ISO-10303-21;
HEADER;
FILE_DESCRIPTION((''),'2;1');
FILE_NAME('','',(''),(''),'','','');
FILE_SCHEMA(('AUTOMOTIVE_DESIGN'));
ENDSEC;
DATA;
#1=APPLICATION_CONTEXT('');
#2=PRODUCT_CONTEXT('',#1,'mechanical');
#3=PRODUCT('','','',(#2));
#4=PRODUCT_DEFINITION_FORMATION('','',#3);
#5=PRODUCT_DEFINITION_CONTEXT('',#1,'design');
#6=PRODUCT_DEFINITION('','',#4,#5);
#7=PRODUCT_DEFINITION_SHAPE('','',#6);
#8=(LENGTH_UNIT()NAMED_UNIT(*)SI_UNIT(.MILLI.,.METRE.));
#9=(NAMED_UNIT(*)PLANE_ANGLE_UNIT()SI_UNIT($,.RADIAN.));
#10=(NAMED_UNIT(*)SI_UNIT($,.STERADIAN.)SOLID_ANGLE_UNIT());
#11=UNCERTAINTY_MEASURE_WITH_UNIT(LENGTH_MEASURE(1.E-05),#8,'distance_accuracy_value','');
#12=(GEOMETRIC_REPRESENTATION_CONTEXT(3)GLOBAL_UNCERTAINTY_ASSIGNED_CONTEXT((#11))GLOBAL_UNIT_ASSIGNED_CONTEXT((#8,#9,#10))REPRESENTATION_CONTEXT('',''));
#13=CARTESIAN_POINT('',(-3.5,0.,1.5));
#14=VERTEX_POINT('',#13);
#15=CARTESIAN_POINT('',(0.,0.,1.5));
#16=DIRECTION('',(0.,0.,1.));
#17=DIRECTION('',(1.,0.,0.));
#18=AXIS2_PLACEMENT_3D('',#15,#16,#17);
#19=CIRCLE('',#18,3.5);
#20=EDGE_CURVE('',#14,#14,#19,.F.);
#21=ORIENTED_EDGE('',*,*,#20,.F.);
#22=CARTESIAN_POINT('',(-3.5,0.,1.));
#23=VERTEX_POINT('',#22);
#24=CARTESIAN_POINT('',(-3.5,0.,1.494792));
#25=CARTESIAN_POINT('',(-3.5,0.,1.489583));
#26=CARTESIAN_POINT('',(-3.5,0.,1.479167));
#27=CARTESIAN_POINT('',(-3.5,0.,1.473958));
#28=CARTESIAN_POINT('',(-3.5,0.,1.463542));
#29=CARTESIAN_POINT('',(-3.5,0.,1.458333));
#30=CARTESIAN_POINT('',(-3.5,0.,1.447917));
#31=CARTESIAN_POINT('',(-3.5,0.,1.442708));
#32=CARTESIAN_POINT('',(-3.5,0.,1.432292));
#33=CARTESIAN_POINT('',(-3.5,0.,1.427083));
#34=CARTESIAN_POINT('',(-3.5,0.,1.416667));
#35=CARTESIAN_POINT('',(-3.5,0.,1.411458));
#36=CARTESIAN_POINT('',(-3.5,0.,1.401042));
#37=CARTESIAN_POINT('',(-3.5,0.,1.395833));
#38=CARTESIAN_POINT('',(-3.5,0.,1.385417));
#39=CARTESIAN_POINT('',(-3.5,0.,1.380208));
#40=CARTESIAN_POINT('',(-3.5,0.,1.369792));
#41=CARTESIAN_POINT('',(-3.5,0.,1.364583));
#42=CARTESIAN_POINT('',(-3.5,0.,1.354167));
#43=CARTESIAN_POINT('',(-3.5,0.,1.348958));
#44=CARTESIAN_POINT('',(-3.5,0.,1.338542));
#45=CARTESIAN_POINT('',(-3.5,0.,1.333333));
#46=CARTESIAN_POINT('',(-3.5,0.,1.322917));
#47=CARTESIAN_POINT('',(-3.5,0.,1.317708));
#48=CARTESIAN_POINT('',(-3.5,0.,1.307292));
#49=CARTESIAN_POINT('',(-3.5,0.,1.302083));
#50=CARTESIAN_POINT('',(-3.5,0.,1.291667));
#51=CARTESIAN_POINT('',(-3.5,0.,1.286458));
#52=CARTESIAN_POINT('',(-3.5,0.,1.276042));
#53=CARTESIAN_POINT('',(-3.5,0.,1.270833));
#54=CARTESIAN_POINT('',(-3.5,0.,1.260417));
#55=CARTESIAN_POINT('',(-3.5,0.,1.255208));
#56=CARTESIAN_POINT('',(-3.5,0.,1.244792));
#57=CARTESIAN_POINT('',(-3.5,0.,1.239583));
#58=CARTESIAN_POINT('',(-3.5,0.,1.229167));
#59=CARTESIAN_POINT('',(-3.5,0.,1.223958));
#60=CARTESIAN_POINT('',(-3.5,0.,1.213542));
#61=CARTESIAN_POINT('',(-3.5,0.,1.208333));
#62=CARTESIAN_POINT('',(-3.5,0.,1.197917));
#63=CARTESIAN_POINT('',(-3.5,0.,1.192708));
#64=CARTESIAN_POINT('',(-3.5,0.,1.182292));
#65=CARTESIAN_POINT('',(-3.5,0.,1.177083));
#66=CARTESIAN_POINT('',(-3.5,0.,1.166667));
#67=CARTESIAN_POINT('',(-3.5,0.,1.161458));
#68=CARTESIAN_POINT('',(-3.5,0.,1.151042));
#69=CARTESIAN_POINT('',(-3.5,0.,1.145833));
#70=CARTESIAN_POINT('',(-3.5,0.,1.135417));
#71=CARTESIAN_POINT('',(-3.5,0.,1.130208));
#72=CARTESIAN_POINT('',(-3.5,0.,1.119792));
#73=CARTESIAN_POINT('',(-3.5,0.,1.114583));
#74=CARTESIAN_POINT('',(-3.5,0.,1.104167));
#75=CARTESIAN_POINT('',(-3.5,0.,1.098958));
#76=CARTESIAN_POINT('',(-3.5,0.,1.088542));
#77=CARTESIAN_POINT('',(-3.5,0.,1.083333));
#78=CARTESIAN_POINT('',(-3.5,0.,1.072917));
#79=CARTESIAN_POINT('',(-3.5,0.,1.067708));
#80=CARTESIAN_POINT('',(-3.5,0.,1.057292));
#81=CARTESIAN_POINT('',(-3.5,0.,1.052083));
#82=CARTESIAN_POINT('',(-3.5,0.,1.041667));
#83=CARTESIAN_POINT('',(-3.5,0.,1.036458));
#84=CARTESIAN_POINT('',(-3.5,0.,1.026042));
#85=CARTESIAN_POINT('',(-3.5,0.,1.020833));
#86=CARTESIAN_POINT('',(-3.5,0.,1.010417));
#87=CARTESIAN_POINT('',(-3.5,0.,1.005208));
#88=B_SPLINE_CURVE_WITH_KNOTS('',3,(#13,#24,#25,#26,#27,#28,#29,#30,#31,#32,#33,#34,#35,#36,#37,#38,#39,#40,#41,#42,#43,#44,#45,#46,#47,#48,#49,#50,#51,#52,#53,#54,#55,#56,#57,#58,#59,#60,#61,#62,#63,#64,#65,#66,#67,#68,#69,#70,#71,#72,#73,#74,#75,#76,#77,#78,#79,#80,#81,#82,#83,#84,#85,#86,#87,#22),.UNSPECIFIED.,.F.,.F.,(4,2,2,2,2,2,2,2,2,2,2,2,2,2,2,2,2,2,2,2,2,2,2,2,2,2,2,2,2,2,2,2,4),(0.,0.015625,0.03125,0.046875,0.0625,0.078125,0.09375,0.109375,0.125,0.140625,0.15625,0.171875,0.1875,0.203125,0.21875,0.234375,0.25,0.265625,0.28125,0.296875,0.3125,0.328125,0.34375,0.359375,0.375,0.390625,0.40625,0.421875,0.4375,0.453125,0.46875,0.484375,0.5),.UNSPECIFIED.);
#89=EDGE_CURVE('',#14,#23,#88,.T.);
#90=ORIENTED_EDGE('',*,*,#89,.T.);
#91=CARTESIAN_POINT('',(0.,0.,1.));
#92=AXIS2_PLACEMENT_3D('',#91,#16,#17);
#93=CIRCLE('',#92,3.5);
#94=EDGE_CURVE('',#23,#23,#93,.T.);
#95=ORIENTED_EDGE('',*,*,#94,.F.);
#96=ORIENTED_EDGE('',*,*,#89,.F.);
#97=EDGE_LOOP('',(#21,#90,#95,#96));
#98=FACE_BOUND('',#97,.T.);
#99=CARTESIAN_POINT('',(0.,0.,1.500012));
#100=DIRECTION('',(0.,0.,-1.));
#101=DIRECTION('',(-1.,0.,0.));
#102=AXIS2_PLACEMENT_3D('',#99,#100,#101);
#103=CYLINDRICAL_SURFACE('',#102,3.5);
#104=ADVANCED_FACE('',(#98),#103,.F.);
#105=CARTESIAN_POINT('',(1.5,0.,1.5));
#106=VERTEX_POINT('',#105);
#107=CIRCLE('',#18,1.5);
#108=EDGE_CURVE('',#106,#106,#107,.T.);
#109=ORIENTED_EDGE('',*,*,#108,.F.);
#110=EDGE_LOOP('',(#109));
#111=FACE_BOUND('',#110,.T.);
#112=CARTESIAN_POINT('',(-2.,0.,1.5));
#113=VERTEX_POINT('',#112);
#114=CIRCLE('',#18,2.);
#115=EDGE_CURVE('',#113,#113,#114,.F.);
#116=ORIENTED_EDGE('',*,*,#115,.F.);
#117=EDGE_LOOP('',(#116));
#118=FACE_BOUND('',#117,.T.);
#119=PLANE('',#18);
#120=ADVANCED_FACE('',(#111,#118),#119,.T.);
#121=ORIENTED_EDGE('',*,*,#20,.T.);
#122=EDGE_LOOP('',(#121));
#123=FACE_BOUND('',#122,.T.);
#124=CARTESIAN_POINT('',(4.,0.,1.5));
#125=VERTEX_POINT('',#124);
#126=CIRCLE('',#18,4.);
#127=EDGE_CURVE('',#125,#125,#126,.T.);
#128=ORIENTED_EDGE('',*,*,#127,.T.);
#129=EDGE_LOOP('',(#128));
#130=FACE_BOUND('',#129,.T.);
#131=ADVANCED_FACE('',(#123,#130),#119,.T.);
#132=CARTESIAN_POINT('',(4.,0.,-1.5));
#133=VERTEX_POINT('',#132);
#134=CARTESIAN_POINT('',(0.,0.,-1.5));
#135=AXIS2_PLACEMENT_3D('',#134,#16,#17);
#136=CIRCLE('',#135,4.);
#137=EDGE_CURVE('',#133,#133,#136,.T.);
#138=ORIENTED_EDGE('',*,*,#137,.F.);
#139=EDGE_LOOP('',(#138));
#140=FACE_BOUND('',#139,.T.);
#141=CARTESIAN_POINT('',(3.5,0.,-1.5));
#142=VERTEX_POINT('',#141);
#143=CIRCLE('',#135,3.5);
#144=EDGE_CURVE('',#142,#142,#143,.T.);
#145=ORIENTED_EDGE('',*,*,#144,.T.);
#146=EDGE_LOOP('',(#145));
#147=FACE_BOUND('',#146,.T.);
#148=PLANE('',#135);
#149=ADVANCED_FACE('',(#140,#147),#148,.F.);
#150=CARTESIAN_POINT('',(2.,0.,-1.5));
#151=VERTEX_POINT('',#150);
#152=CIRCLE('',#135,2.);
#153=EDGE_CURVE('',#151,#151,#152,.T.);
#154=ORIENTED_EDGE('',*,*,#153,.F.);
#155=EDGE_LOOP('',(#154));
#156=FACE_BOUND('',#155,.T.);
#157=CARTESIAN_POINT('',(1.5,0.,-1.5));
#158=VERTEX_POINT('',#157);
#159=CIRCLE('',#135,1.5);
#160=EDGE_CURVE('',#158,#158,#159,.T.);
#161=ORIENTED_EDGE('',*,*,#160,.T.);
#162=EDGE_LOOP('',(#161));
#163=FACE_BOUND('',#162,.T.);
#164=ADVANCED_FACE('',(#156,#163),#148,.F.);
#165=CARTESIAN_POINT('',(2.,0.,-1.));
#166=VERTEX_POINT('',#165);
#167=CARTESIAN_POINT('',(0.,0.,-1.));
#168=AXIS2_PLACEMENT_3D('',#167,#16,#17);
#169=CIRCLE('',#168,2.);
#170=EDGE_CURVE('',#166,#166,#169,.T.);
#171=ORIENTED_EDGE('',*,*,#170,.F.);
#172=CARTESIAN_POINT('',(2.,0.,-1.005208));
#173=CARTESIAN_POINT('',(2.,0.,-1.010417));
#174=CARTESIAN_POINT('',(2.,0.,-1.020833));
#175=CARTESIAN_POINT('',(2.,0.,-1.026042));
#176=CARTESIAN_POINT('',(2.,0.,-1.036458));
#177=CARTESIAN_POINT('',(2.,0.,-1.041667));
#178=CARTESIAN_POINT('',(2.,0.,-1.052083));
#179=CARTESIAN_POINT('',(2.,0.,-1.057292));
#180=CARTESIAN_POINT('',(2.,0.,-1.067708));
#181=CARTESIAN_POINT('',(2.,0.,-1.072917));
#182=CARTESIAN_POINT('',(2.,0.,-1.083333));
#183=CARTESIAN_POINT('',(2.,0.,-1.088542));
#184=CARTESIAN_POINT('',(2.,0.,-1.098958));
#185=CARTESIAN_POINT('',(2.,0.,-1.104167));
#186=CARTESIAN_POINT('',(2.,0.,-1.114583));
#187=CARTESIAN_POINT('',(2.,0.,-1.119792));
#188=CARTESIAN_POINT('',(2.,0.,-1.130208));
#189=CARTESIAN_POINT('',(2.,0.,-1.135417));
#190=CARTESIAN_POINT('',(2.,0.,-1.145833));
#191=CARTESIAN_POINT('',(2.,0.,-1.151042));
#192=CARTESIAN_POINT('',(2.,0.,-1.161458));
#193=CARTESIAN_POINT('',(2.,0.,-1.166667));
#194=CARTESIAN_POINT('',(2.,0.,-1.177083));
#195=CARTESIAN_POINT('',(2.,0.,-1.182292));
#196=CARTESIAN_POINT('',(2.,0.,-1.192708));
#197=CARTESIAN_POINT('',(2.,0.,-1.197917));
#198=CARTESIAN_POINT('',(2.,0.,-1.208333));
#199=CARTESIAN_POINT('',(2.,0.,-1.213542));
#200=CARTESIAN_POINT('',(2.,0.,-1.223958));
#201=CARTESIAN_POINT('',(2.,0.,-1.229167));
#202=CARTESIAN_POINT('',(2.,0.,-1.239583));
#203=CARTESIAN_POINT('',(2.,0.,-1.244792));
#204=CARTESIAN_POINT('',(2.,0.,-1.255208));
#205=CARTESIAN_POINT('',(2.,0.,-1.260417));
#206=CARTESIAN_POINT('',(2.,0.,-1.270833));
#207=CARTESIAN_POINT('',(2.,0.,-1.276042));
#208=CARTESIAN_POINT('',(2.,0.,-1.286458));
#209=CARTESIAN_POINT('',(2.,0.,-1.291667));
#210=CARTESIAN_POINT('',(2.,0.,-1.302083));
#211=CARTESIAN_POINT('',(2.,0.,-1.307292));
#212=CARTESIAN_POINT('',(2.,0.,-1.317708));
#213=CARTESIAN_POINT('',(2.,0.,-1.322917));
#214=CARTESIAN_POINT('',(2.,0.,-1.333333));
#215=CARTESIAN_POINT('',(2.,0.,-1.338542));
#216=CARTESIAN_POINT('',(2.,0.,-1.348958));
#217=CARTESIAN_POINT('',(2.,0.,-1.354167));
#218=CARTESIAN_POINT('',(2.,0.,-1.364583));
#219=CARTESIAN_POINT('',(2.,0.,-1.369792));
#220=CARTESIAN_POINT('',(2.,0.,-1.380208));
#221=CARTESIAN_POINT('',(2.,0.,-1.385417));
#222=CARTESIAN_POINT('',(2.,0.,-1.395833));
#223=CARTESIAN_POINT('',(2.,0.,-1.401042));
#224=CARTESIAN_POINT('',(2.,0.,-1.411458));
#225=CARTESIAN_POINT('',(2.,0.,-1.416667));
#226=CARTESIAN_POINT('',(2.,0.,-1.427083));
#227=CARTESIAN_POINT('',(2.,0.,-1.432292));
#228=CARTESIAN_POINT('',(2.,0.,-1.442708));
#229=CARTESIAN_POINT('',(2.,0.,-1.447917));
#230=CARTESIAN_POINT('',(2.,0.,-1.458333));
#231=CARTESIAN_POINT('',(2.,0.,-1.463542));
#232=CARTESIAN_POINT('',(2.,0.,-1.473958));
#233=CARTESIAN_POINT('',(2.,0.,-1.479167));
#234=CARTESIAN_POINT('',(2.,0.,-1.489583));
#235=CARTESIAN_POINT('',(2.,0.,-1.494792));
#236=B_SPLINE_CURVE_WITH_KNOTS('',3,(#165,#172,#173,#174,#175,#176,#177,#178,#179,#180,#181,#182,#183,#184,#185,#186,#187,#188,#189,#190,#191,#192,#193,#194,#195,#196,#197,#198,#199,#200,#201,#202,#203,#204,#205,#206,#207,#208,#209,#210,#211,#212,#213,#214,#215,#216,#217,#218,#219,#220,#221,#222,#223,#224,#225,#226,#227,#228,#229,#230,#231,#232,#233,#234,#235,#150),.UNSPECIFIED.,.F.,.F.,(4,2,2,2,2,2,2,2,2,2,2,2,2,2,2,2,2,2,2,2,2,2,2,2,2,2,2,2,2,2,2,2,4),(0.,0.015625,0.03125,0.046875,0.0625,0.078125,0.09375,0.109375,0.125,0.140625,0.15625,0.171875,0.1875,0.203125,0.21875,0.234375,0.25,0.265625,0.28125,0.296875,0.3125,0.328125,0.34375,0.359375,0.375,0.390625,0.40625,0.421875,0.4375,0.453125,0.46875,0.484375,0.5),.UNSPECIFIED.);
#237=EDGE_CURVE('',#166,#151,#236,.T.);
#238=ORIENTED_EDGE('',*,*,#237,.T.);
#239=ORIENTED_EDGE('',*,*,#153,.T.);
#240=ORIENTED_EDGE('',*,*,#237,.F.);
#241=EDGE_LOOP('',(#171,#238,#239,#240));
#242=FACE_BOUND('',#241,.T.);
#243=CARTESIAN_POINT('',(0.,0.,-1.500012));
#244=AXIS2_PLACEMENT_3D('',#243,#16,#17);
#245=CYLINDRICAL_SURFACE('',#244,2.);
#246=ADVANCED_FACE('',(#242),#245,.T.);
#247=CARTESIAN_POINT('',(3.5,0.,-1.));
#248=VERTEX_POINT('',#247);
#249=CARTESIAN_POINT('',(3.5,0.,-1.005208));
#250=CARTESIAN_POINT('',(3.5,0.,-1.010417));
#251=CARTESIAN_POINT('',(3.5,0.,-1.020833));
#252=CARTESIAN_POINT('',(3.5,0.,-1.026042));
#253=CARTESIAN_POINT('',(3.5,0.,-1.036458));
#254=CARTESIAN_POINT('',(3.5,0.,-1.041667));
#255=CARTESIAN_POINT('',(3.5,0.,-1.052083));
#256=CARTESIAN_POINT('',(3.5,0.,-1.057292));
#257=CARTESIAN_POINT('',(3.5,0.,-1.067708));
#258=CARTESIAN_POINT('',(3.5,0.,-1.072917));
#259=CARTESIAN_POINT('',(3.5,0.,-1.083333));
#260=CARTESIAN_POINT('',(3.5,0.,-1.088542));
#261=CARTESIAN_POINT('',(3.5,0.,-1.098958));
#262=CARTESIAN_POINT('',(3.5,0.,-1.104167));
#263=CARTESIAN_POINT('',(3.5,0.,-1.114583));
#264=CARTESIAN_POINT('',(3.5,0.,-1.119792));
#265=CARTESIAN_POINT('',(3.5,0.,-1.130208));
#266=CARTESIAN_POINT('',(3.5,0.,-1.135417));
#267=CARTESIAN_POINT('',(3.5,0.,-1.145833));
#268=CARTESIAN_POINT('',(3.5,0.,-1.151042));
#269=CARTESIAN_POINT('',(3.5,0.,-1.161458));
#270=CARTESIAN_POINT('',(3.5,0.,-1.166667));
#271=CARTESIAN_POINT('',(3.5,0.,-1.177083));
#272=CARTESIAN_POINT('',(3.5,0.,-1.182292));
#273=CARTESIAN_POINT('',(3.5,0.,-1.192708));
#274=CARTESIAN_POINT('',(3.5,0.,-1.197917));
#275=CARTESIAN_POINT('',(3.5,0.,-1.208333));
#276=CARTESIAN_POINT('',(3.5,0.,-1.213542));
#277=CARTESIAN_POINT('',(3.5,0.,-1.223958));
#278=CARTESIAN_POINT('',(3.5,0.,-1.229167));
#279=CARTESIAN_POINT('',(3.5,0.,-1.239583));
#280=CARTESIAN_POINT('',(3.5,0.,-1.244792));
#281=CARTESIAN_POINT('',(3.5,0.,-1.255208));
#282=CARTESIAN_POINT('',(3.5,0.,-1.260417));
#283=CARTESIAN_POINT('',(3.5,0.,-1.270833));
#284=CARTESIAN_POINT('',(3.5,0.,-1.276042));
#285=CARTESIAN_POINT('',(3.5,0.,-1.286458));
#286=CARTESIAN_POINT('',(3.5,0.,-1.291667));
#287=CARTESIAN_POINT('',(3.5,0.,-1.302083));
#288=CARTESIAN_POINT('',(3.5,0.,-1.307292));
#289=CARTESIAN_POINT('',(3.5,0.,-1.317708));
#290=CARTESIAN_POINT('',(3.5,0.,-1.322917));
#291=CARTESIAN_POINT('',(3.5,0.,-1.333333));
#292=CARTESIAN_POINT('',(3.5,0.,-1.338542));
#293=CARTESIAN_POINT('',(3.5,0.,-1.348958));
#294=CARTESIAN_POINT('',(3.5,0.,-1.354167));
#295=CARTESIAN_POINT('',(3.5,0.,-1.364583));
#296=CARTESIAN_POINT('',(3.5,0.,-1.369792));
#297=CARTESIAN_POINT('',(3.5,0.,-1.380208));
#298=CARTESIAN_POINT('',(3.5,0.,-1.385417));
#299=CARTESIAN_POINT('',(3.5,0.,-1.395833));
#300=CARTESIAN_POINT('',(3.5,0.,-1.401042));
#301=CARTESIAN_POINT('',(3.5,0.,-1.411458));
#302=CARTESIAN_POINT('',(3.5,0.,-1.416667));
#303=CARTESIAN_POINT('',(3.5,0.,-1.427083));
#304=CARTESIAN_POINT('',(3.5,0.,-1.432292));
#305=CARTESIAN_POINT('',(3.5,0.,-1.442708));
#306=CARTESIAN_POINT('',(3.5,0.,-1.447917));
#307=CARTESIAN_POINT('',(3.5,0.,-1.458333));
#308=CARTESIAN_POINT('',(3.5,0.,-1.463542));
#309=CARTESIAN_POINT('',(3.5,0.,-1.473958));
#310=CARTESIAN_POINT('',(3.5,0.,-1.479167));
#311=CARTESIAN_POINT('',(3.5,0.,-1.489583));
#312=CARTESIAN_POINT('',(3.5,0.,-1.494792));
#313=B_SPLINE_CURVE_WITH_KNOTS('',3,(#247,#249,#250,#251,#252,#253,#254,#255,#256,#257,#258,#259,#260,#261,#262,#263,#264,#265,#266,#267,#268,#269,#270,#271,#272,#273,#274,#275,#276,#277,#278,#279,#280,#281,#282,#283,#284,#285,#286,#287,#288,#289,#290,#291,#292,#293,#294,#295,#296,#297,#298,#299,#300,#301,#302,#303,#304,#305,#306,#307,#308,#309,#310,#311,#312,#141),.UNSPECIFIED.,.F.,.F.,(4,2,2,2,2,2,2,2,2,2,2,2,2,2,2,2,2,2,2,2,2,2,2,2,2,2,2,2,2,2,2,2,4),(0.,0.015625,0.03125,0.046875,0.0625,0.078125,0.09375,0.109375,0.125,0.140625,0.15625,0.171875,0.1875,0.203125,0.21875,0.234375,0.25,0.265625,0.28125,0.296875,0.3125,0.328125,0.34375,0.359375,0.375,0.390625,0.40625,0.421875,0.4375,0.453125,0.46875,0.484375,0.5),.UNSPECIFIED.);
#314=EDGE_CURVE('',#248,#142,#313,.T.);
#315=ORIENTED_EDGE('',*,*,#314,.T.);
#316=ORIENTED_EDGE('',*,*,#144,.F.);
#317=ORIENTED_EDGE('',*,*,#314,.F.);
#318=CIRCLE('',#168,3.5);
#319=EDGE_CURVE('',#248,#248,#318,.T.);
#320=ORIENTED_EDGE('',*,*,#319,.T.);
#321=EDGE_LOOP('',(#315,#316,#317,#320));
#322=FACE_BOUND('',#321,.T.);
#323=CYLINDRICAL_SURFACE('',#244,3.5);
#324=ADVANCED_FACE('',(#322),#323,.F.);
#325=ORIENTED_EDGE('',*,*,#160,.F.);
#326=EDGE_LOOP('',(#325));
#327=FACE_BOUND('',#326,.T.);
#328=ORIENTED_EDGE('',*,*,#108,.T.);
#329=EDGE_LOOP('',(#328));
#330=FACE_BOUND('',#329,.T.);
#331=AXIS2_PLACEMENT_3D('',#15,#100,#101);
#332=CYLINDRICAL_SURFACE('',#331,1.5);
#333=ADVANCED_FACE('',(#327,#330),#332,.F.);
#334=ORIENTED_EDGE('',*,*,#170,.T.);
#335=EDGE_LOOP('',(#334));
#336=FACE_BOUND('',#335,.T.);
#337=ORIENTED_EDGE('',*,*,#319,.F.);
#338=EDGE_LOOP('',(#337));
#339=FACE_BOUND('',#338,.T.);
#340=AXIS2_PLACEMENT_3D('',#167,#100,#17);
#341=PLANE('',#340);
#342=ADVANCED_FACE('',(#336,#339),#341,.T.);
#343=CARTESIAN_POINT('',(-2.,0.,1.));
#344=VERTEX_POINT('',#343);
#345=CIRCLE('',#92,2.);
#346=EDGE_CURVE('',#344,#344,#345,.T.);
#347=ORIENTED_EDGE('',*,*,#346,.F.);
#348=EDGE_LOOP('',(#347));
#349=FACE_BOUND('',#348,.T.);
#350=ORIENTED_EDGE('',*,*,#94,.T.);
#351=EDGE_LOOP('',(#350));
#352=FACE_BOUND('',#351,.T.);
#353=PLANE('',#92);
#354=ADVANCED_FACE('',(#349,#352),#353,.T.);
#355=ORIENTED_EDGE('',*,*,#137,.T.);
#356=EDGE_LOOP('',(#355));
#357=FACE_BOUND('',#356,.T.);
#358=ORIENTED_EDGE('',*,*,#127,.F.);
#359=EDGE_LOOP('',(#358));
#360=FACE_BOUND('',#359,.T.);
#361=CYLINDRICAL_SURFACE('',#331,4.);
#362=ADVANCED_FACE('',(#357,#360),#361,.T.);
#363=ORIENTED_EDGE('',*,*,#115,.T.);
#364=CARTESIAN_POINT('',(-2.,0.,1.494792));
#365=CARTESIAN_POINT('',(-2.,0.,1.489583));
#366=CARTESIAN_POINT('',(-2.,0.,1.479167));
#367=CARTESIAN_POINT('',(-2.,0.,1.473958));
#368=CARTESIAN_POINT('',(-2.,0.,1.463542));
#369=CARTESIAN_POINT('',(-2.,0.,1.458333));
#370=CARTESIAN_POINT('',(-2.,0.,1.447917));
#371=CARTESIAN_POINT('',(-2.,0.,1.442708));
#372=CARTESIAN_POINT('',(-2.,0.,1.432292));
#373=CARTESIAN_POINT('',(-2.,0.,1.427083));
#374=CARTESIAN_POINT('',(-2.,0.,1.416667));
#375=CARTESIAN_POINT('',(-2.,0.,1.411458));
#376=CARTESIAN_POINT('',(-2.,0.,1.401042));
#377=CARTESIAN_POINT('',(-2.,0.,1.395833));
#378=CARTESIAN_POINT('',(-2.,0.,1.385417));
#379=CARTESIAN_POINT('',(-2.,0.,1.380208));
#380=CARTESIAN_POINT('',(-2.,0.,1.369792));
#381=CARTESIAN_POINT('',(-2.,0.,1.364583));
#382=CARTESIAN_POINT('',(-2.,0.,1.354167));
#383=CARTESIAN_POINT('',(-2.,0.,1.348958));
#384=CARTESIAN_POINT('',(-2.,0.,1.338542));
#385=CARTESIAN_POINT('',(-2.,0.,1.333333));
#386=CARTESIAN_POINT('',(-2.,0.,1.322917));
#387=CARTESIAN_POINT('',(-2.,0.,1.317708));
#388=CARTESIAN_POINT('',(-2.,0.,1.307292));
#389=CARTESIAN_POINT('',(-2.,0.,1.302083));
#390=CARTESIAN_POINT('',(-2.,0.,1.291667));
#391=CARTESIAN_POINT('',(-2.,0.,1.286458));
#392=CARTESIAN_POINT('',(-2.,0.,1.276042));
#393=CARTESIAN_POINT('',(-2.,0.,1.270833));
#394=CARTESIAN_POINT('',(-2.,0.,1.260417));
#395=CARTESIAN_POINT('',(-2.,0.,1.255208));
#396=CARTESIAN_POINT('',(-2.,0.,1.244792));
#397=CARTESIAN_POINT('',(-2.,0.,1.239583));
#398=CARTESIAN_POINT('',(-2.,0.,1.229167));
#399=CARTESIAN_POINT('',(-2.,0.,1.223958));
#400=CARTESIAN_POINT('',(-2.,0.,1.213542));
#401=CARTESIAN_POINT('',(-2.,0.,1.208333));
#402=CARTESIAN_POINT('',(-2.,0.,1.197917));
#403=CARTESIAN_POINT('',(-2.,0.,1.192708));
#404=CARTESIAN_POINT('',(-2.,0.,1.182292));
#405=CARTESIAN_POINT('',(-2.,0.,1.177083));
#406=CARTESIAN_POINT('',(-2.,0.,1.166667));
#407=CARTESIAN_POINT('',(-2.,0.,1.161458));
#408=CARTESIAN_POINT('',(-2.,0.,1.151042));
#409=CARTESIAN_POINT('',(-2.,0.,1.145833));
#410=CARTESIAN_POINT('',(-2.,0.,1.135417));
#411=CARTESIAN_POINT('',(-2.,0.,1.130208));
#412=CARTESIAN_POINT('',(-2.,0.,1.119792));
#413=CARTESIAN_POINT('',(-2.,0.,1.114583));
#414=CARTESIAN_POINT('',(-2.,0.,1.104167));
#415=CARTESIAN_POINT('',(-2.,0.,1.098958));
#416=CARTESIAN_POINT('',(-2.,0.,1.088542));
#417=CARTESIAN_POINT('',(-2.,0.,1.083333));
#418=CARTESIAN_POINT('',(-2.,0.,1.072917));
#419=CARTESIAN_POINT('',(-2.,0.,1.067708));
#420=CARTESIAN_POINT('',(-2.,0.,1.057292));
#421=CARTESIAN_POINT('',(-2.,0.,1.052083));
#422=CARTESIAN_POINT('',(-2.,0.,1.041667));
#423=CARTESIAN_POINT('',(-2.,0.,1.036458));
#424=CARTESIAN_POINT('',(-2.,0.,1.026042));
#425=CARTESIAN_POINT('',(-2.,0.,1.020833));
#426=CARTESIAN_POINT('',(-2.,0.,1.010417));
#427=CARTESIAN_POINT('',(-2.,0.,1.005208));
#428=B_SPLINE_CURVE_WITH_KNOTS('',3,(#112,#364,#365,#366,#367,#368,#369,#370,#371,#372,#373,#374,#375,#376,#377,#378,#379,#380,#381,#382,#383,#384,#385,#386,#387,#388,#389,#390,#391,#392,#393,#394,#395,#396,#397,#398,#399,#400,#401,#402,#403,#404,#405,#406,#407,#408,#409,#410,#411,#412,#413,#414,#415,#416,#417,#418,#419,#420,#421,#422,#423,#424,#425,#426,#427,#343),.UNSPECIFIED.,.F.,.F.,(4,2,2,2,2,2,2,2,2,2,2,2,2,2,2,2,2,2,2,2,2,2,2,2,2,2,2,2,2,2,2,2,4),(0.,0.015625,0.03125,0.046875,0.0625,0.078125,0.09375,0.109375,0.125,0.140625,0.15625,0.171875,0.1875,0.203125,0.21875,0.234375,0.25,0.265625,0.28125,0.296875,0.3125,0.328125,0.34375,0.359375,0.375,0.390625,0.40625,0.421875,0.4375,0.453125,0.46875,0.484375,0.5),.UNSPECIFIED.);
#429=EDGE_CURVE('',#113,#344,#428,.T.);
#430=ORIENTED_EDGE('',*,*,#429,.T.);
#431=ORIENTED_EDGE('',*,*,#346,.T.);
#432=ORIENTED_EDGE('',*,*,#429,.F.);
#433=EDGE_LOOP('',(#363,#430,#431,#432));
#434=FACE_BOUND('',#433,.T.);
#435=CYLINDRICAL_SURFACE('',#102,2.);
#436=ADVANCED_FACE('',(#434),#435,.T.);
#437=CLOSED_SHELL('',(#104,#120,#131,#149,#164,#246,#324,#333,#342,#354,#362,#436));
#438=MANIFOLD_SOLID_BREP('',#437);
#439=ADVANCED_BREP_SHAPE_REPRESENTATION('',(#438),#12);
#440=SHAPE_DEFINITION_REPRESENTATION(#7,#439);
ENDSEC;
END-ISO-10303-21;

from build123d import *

# Parameters (mm, degrees)
SKETCH1_R           = 4
SKETCH1_R_2         = 1.5
BOSS_EXTRUDE1_DEPTH = 1.5
CUT_EXTRUDE1_START  = -0.5
SKETCH2_R           = 3.5
SKETCH2_R_2         = 2
CUT_EXTRUDE1_DEPTH  = 7.903124237


with BuildPart() as part:
    # Sketch1 → Boss-Extrude1 (new, symmetric)
    with BuildSketch(Plane.XY):
        Circle(SKETCH1_R)
        Circle(SKETCH1_R_2, mode=Mode.SUBTRACT)
    extrude(amount=BOSS_EXTRUDE1_DEPTH, both=True)

    # Sketch2 → Cut-Extrude1 (cut)
    with BuildSketch(Plane.XY.offset(1.5).offset(CUT_EXTRUDE1_START)):
        with Locations(Location((0, 0, 0), (0, 0, 180))):
            Circle(SKETCH2_R)
        with Locations(Location((0, 0, 0), (0, 0, 180))):
            Circle(SKETCH2_R_2, mode=Mode.SUBTRACT)
    cut_extrude1 = extrude(amount=CUT_EXTRUDE1_DEPTH, mode=Mode.SUBTRACT)

    # Mirror1: Cut-Extrude1 across plane
    add(cut_extrude1.mirror(Plane.XY), mode=Mode.SUBTRACT)


solid = part.part
